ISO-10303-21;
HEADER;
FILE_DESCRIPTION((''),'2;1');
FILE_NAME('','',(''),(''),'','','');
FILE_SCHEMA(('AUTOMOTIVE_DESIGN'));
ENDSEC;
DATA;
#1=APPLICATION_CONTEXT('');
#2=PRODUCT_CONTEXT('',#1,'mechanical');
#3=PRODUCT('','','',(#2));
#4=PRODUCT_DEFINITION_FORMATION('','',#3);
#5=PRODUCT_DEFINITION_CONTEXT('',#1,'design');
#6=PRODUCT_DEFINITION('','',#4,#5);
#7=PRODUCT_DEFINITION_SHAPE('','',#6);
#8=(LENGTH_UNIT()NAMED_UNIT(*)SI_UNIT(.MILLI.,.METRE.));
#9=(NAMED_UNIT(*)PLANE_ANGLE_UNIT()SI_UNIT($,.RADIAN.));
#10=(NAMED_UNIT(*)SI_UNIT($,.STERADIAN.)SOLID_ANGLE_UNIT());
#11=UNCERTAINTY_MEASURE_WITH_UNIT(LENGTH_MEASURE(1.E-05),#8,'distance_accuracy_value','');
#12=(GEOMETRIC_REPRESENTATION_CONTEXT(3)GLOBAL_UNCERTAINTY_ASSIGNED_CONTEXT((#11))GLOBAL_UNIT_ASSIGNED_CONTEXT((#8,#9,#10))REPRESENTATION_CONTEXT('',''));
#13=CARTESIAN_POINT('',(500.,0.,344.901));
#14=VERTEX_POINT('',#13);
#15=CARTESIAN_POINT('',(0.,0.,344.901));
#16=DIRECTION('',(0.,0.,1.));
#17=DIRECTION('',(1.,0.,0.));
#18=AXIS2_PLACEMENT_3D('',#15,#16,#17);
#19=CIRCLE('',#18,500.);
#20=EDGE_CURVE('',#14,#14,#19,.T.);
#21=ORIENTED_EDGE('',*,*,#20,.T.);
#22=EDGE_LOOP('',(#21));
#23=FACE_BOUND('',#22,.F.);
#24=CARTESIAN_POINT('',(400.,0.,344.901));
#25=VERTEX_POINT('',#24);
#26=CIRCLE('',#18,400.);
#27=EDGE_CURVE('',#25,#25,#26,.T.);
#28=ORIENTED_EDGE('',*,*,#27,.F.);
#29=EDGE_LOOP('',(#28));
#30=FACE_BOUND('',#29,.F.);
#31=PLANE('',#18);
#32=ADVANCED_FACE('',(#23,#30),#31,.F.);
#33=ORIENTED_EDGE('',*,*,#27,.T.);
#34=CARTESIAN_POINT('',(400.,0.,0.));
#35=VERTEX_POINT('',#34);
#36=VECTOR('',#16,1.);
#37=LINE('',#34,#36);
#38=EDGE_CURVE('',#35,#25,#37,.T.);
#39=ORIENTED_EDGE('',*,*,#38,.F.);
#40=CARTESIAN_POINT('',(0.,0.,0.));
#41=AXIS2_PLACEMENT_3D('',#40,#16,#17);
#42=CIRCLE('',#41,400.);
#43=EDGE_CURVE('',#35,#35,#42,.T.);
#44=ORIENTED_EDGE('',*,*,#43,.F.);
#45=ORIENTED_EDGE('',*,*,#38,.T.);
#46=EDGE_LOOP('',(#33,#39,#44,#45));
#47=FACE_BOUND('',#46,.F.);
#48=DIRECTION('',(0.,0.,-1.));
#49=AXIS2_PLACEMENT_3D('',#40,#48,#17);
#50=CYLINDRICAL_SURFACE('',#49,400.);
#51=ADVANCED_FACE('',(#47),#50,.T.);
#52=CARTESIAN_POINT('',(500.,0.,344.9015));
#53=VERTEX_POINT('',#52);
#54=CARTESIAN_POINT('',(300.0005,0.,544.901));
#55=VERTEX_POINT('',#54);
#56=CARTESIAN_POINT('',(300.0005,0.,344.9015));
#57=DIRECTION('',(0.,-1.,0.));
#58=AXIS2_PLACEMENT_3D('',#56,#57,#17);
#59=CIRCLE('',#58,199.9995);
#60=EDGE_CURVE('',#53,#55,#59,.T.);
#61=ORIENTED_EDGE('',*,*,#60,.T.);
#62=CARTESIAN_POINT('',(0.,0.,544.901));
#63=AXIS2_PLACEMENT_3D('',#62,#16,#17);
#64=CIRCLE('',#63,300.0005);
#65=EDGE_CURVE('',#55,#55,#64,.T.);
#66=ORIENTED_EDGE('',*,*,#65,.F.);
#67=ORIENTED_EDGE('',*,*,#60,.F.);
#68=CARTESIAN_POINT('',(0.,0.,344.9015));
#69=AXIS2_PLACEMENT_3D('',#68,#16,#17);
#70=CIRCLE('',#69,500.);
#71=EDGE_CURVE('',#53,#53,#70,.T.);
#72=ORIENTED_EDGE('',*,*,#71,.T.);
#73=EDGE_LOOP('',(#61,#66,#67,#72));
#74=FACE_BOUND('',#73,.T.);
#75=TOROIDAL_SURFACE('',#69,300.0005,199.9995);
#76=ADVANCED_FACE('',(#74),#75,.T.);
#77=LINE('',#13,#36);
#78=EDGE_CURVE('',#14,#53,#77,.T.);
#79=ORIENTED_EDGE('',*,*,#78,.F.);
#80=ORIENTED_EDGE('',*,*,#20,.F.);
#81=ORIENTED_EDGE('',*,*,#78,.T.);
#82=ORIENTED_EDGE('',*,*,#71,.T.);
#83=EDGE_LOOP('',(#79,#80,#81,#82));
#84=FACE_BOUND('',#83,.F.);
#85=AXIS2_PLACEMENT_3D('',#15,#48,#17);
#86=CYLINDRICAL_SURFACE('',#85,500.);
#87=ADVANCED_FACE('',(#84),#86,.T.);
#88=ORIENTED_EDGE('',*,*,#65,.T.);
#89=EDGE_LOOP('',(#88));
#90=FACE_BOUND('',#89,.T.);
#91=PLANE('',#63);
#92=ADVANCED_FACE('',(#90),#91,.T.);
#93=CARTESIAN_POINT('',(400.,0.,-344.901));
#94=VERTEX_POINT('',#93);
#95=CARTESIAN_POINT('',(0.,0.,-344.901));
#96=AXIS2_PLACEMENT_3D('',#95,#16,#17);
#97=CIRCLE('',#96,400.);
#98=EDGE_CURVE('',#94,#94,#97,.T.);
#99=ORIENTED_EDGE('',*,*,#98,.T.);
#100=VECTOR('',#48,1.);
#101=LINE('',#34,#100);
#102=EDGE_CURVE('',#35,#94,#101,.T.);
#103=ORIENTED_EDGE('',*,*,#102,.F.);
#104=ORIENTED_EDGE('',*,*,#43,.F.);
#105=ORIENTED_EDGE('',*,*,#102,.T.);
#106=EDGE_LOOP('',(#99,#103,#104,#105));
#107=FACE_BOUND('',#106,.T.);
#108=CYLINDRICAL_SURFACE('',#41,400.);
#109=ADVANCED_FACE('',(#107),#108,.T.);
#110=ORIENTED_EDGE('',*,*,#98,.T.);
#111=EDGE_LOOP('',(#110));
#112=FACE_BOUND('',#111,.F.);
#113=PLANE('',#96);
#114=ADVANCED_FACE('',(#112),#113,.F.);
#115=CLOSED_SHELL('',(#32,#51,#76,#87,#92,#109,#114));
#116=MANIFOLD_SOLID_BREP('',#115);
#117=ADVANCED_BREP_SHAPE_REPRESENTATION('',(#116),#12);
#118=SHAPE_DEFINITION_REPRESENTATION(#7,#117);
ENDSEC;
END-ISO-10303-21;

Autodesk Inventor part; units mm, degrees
ref_plane "YZ Plane" through (0, 0, 0) normal (1, 0, 0) x (0, 1, 0)
ref_plane "XZ Plane" through (0, 0, 0) normal (0, 1, 0) x (-1, 0, 0)
ref_plane "XY Plane" through (0, 0, 0) normal (0, 0, 1) x (1, 0, 0)
sketch "Sketch1" plane through (0, 0, 0) normal (0, 0, 1) x (1, 0, 0)
  circle A0 centre (0, 0) radius 400
  dimension "d0" = 800
extrude "Extrusion1" add sketch "Sketch1" along normal mid plane 689.802
sketch "Sketch2" plane through (0, 0, 344.901) normal (0, 0, 1) x (1, 0, 0)
  circle A0 centre (0, 0) radius 500
  dimension "d3" = 1000
extrude "Extrusion2" add sketch "Sketch2" along normal blind 200
fillet "Fillet1" radius 200 1 edges at (-500, 0, 544.901)
properties part number "06_LastArmChop"
